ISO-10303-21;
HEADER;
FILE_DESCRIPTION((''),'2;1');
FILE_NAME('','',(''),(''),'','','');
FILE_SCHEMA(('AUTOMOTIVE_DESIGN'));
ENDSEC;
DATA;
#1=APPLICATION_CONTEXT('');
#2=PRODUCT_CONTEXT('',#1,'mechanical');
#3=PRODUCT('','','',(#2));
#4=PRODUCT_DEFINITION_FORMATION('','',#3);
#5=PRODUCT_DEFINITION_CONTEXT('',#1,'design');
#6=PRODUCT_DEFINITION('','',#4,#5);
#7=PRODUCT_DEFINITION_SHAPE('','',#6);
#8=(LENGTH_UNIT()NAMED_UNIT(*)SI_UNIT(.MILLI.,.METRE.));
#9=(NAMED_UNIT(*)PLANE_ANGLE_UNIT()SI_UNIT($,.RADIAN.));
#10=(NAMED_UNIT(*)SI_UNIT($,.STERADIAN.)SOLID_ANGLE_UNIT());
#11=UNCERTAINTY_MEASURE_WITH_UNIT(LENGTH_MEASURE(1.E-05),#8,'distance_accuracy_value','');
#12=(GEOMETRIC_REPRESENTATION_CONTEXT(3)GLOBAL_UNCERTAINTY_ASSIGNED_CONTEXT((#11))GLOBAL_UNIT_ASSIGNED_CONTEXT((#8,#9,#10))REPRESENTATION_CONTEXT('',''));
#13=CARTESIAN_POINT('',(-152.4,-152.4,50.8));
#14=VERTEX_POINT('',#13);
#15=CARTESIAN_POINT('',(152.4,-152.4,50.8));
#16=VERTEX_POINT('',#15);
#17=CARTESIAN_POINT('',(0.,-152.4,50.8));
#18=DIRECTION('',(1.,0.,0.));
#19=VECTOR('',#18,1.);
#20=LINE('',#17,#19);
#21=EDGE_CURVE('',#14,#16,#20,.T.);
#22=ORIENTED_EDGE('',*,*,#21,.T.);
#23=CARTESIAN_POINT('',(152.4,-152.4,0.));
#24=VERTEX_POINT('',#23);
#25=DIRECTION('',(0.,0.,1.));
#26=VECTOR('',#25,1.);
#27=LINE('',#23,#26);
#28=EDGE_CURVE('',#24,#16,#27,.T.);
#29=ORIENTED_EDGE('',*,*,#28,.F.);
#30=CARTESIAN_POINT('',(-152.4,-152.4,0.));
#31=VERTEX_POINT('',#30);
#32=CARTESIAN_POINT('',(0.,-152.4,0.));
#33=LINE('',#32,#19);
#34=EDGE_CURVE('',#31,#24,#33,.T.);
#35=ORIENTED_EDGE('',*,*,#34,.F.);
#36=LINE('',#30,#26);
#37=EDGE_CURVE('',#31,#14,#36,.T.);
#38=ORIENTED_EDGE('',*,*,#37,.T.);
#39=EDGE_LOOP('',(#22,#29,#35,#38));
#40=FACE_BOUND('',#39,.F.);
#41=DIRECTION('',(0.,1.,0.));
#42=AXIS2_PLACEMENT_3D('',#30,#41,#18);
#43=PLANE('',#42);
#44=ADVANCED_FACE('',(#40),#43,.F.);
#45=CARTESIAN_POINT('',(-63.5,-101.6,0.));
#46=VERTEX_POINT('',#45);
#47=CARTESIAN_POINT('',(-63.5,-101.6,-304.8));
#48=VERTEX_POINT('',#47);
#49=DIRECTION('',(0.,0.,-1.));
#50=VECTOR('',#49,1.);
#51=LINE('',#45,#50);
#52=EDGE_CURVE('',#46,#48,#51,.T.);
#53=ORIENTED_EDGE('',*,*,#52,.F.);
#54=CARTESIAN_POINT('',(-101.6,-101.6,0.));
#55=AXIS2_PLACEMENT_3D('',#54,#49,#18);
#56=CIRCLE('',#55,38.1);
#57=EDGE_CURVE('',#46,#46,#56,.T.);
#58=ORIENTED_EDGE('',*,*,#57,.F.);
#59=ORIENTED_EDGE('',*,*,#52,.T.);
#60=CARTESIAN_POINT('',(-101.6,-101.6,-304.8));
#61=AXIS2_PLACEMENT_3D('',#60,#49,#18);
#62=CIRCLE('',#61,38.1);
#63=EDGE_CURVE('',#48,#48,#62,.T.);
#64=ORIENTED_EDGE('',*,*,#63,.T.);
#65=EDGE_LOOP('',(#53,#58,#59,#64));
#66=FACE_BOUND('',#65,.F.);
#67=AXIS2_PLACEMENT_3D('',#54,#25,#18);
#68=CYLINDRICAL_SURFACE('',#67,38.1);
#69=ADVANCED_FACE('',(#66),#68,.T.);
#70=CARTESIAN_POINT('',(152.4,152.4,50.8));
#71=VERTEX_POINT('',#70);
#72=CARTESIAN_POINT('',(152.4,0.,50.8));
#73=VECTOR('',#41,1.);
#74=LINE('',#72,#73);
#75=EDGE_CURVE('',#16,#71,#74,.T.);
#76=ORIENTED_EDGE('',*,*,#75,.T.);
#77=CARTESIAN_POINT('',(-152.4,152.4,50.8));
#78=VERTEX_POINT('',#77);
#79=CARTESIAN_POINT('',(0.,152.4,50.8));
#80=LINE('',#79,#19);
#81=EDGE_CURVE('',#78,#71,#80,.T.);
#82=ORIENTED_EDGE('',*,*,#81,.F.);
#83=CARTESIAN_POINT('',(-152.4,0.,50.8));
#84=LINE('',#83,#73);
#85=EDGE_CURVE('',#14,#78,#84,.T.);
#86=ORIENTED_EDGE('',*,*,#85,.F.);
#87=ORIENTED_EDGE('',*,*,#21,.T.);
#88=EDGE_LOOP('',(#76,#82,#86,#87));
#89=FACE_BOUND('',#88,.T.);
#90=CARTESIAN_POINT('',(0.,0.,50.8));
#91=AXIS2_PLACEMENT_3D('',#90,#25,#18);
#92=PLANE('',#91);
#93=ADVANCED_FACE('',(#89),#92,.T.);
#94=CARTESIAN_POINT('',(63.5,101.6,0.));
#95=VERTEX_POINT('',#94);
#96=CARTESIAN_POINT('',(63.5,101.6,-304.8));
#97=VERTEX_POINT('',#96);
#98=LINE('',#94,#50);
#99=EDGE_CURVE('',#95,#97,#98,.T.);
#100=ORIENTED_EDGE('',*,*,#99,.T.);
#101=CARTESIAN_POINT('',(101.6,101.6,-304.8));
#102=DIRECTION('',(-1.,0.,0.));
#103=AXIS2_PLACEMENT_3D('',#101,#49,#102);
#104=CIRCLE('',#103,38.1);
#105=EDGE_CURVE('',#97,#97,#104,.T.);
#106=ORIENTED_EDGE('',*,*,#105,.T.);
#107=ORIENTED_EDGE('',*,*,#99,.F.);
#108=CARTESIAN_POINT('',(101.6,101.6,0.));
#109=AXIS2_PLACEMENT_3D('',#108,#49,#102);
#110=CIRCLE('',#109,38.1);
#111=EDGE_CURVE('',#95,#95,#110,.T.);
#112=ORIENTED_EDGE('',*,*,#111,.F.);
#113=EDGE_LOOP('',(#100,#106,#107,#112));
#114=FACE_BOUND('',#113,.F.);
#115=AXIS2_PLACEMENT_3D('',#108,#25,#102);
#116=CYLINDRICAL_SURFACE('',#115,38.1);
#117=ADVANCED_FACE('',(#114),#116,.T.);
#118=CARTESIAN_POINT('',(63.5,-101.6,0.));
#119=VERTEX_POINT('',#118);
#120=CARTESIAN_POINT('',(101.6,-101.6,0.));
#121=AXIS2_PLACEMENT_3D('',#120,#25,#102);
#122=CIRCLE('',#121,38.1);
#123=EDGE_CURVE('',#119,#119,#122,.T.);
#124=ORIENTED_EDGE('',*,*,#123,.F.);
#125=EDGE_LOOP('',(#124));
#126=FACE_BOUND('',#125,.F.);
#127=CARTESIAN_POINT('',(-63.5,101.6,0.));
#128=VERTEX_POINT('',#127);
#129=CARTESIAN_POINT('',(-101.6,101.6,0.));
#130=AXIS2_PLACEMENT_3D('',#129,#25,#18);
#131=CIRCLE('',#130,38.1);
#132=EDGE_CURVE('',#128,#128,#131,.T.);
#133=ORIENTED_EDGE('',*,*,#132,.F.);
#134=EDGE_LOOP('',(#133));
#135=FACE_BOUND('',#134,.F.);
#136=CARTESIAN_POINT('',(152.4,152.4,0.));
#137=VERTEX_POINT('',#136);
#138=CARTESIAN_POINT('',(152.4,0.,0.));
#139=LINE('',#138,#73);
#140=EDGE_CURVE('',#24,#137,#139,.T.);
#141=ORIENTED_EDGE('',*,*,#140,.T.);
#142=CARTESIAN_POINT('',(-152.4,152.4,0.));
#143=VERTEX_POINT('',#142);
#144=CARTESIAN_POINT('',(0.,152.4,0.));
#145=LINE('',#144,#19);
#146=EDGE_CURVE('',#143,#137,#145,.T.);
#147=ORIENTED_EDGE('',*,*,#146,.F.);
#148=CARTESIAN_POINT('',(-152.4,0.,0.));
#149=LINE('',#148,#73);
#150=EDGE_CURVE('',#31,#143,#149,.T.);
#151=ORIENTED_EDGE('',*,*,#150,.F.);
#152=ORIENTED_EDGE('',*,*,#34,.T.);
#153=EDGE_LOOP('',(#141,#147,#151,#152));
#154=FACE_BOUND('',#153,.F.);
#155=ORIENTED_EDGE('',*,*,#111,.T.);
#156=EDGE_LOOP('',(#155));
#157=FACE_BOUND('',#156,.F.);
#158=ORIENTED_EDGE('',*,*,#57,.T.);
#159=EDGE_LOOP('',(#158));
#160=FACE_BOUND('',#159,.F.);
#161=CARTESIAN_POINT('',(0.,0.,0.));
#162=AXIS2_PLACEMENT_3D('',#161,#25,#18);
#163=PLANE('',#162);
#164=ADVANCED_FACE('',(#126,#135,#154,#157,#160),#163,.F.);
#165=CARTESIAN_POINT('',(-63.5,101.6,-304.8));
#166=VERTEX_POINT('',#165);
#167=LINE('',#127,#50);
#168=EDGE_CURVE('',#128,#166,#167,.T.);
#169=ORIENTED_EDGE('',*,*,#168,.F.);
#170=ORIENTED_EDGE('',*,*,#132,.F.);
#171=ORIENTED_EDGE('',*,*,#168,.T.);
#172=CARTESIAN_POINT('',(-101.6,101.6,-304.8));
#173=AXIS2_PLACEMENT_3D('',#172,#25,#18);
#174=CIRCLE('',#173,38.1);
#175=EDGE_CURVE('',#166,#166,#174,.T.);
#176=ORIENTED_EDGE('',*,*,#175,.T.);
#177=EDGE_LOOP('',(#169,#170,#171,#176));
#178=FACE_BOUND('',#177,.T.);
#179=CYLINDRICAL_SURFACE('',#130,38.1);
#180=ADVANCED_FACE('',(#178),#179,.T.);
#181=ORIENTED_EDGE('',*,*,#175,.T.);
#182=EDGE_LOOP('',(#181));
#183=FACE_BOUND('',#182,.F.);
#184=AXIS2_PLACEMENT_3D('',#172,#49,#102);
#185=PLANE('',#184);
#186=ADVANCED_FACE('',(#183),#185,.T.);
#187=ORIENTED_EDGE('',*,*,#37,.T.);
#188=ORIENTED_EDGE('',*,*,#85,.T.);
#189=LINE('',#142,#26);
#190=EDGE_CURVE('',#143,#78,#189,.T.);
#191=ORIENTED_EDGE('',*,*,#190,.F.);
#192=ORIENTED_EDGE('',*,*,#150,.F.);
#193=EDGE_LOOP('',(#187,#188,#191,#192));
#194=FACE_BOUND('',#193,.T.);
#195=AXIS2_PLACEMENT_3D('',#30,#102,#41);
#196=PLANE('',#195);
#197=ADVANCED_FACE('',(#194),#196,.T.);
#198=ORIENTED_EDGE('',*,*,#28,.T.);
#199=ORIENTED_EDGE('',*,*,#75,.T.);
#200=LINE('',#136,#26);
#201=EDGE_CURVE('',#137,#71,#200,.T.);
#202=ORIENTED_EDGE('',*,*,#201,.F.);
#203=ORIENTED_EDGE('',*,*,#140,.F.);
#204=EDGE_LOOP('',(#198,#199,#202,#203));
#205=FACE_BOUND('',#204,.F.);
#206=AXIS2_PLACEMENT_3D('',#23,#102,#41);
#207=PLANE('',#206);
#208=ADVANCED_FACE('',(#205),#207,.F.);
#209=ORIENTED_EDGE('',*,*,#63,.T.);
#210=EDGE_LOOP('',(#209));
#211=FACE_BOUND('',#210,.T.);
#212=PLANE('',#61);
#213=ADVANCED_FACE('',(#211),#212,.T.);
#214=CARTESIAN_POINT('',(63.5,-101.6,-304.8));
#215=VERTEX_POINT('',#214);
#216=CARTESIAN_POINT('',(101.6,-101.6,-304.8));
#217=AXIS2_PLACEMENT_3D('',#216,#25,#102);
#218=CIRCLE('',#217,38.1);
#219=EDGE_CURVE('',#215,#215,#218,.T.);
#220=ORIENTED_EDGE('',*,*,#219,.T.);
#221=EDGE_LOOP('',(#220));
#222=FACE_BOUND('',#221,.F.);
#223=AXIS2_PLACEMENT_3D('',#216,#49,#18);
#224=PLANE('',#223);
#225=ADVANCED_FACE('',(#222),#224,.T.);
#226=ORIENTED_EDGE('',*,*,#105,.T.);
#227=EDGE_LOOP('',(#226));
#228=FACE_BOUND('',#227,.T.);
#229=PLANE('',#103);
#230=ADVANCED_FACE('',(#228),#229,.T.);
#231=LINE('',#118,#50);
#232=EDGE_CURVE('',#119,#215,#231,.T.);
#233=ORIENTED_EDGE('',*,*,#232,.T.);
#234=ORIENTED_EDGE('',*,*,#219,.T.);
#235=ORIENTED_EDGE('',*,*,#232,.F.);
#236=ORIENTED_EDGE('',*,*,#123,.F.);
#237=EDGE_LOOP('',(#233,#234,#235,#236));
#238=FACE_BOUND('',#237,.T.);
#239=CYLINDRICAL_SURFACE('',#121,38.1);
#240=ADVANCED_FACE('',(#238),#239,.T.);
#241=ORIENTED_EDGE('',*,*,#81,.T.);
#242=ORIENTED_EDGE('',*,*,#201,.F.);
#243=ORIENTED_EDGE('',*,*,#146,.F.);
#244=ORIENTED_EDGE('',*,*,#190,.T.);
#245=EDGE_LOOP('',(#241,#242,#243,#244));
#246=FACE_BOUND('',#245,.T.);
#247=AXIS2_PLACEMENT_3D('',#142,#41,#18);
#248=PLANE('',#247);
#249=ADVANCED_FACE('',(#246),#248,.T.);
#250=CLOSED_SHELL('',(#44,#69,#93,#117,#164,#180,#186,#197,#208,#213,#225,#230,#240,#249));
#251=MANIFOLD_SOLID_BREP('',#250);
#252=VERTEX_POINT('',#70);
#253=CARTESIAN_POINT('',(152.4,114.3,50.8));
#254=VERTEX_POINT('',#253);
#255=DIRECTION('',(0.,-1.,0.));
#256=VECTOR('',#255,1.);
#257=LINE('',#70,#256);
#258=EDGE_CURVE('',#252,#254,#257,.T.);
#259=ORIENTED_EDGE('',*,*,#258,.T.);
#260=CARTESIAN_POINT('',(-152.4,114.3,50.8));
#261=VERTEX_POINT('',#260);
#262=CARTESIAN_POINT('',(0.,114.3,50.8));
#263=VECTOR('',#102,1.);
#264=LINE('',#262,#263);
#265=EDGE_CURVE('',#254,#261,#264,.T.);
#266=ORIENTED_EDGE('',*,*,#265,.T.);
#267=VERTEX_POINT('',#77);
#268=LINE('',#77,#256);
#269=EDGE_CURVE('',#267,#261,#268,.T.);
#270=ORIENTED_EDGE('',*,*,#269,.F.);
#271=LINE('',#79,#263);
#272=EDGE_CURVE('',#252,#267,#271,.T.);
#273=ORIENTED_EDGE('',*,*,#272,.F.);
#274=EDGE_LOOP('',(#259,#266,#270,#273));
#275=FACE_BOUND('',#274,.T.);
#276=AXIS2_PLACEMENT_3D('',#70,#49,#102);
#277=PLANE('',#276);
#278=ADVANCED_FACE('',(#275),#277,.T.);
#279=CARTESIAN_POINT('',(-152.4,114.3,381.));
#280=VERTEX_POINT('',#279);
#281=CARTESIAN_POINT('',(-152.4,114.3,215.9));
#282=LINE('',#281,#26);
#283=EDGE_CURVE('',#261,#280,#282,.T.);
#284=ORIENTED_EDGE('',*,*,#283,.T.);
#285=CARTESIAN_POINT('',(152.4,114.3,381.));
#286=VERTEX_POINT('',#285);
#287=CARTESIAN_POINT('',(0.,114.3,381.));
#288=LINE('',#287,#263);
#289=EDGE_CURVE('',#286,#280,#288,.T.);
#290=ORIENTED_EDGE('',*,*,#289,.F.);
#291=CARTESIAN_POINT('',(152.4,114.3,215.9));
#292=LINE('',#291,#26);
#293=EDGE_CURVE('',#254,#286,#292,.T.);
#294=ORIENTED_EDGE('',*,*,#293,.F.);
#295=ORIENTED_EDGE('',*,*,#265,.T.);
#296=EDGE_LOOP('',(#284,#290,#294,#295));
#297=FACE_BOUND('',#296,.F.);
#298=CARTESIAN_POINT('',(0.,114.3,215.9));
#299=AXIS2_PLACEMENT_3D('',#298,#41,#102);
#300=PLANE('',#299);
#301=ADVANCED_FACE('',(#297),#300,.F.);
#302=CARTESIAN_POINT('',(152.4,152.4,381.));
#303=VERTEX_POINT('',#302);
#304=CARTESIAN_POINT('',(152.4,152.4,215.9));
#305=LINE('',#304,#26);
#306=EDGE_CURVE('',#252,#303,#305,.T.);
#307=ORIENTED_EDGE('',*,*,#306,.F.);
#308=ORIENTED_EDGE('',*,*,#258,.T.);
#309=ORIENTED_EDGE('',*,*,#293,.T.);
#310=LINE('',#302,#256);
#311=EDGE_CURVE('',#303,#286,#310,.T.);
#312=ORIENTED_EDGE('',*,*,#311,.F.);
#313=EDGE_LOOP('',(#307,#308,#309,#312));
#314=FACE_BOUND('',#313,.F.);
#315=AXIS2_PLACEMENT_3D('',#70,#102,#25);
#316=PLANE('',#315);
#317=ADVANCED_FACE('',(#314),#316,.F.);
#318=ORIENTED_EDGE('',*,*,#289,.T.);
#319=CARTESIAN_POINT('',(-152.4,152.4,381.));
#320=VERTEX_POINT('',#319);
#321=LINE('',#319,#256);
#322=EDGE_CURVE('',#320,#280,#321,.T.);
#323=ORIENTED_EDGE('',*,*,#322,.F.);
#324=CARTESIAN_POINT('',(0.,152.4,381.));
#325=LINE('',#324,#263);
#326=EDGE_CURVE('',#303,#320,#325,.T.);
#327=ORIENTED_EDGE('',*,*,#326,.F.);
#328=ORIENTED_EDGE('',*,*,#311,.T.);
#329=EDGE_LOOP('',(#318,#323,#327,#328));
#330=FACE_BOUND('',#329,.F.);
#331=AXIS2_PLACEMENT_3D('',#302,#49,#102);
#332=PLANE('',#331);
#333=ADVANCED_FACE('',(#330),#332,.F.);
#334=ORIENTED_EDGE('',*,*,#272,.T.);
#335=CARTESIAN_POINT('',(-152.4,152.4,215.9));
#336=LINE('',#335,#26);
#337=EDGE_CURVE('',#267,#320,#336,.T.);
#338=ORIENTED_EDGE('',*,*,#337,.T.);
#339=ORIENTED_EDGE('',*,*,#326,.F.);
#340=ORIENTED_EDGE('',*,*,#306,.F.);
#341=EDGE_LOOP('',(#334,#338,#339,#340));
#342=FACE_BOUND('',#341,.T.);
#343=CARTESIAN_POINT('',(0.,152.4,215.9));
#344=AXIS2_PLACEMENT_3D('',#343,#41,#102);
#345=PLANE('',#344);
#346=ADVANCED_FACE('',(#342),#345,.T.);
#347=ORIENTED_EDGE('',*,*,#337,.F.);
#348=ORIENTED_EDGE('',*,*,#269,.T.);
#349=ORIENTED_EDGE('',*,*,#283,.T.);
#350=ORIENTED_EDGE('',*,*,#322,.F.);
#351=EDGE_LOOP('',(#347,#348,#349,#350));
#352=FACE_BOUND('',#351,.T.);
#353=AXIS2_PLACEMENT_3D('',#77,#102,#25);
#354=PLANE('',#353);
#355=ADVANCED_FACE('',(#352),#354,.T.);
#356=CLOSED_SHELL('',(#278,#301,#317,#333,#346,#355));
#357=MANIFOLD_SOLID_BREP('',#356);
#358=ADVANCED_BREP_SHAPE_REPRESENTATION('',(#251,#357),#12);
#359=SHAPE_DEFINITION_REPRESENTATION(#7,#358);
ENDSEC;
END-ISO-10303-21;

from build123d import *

# Parameters (mm, degrees)
F0_W     = 304.8
F0_H     = 304.8
F1_DEPTH = 50.8
F2_R     = 38.1
F3_DEPTH = 304.8
F6_W     = 304.8
F6_H     = 330.2
F7_DEPTH = 38.1


with BuildPart() as f1:
    # F0 (on Top) → F1 (new body)
    with BuildSketch(Plane.XY):
        Rectangle(F0_W, F0_H)
    extrude(amount=F1_DEPTH)

    # F4: F3 across plane


with BuildPart() as f3:
    # F2 (on face) → F3 (new body)
    with BuildSketch(Plane(origin=(0, 0, 0), x_dir=(1, 0, 0), z_dir=(0, 0, -1))):
        with Locations((-101.6, 101.6)):
            Circle(F2_R)
    extrude(amount=F3_DEPTH)


with BuildPart() as f1_1:
    add(f1.part)
    add(f3.part.mirror(Plane.XZ))


    add(f3.part)  # F5 merges F3
    # F5: F1 across plane


with BuildPart() as f1_2:
    add(f1_1.part)
    add(f1_1.part.mirror(Plane.YZ))


with BuildPart() as f7:
    # F6 (on face) → F7 (new body)
    with BuildSketch(Plane(origin=(0, 152.4, 0), x_dir=(-1, 0, 0), z_dir=(0, 1, 0))):
        with Locations((0, 215.9)):
            Rectangle(F6_W, F6_H)
    extrude(amount=-F7_DEPTH)


solid = Compound([f1_2.part, f7.part])
